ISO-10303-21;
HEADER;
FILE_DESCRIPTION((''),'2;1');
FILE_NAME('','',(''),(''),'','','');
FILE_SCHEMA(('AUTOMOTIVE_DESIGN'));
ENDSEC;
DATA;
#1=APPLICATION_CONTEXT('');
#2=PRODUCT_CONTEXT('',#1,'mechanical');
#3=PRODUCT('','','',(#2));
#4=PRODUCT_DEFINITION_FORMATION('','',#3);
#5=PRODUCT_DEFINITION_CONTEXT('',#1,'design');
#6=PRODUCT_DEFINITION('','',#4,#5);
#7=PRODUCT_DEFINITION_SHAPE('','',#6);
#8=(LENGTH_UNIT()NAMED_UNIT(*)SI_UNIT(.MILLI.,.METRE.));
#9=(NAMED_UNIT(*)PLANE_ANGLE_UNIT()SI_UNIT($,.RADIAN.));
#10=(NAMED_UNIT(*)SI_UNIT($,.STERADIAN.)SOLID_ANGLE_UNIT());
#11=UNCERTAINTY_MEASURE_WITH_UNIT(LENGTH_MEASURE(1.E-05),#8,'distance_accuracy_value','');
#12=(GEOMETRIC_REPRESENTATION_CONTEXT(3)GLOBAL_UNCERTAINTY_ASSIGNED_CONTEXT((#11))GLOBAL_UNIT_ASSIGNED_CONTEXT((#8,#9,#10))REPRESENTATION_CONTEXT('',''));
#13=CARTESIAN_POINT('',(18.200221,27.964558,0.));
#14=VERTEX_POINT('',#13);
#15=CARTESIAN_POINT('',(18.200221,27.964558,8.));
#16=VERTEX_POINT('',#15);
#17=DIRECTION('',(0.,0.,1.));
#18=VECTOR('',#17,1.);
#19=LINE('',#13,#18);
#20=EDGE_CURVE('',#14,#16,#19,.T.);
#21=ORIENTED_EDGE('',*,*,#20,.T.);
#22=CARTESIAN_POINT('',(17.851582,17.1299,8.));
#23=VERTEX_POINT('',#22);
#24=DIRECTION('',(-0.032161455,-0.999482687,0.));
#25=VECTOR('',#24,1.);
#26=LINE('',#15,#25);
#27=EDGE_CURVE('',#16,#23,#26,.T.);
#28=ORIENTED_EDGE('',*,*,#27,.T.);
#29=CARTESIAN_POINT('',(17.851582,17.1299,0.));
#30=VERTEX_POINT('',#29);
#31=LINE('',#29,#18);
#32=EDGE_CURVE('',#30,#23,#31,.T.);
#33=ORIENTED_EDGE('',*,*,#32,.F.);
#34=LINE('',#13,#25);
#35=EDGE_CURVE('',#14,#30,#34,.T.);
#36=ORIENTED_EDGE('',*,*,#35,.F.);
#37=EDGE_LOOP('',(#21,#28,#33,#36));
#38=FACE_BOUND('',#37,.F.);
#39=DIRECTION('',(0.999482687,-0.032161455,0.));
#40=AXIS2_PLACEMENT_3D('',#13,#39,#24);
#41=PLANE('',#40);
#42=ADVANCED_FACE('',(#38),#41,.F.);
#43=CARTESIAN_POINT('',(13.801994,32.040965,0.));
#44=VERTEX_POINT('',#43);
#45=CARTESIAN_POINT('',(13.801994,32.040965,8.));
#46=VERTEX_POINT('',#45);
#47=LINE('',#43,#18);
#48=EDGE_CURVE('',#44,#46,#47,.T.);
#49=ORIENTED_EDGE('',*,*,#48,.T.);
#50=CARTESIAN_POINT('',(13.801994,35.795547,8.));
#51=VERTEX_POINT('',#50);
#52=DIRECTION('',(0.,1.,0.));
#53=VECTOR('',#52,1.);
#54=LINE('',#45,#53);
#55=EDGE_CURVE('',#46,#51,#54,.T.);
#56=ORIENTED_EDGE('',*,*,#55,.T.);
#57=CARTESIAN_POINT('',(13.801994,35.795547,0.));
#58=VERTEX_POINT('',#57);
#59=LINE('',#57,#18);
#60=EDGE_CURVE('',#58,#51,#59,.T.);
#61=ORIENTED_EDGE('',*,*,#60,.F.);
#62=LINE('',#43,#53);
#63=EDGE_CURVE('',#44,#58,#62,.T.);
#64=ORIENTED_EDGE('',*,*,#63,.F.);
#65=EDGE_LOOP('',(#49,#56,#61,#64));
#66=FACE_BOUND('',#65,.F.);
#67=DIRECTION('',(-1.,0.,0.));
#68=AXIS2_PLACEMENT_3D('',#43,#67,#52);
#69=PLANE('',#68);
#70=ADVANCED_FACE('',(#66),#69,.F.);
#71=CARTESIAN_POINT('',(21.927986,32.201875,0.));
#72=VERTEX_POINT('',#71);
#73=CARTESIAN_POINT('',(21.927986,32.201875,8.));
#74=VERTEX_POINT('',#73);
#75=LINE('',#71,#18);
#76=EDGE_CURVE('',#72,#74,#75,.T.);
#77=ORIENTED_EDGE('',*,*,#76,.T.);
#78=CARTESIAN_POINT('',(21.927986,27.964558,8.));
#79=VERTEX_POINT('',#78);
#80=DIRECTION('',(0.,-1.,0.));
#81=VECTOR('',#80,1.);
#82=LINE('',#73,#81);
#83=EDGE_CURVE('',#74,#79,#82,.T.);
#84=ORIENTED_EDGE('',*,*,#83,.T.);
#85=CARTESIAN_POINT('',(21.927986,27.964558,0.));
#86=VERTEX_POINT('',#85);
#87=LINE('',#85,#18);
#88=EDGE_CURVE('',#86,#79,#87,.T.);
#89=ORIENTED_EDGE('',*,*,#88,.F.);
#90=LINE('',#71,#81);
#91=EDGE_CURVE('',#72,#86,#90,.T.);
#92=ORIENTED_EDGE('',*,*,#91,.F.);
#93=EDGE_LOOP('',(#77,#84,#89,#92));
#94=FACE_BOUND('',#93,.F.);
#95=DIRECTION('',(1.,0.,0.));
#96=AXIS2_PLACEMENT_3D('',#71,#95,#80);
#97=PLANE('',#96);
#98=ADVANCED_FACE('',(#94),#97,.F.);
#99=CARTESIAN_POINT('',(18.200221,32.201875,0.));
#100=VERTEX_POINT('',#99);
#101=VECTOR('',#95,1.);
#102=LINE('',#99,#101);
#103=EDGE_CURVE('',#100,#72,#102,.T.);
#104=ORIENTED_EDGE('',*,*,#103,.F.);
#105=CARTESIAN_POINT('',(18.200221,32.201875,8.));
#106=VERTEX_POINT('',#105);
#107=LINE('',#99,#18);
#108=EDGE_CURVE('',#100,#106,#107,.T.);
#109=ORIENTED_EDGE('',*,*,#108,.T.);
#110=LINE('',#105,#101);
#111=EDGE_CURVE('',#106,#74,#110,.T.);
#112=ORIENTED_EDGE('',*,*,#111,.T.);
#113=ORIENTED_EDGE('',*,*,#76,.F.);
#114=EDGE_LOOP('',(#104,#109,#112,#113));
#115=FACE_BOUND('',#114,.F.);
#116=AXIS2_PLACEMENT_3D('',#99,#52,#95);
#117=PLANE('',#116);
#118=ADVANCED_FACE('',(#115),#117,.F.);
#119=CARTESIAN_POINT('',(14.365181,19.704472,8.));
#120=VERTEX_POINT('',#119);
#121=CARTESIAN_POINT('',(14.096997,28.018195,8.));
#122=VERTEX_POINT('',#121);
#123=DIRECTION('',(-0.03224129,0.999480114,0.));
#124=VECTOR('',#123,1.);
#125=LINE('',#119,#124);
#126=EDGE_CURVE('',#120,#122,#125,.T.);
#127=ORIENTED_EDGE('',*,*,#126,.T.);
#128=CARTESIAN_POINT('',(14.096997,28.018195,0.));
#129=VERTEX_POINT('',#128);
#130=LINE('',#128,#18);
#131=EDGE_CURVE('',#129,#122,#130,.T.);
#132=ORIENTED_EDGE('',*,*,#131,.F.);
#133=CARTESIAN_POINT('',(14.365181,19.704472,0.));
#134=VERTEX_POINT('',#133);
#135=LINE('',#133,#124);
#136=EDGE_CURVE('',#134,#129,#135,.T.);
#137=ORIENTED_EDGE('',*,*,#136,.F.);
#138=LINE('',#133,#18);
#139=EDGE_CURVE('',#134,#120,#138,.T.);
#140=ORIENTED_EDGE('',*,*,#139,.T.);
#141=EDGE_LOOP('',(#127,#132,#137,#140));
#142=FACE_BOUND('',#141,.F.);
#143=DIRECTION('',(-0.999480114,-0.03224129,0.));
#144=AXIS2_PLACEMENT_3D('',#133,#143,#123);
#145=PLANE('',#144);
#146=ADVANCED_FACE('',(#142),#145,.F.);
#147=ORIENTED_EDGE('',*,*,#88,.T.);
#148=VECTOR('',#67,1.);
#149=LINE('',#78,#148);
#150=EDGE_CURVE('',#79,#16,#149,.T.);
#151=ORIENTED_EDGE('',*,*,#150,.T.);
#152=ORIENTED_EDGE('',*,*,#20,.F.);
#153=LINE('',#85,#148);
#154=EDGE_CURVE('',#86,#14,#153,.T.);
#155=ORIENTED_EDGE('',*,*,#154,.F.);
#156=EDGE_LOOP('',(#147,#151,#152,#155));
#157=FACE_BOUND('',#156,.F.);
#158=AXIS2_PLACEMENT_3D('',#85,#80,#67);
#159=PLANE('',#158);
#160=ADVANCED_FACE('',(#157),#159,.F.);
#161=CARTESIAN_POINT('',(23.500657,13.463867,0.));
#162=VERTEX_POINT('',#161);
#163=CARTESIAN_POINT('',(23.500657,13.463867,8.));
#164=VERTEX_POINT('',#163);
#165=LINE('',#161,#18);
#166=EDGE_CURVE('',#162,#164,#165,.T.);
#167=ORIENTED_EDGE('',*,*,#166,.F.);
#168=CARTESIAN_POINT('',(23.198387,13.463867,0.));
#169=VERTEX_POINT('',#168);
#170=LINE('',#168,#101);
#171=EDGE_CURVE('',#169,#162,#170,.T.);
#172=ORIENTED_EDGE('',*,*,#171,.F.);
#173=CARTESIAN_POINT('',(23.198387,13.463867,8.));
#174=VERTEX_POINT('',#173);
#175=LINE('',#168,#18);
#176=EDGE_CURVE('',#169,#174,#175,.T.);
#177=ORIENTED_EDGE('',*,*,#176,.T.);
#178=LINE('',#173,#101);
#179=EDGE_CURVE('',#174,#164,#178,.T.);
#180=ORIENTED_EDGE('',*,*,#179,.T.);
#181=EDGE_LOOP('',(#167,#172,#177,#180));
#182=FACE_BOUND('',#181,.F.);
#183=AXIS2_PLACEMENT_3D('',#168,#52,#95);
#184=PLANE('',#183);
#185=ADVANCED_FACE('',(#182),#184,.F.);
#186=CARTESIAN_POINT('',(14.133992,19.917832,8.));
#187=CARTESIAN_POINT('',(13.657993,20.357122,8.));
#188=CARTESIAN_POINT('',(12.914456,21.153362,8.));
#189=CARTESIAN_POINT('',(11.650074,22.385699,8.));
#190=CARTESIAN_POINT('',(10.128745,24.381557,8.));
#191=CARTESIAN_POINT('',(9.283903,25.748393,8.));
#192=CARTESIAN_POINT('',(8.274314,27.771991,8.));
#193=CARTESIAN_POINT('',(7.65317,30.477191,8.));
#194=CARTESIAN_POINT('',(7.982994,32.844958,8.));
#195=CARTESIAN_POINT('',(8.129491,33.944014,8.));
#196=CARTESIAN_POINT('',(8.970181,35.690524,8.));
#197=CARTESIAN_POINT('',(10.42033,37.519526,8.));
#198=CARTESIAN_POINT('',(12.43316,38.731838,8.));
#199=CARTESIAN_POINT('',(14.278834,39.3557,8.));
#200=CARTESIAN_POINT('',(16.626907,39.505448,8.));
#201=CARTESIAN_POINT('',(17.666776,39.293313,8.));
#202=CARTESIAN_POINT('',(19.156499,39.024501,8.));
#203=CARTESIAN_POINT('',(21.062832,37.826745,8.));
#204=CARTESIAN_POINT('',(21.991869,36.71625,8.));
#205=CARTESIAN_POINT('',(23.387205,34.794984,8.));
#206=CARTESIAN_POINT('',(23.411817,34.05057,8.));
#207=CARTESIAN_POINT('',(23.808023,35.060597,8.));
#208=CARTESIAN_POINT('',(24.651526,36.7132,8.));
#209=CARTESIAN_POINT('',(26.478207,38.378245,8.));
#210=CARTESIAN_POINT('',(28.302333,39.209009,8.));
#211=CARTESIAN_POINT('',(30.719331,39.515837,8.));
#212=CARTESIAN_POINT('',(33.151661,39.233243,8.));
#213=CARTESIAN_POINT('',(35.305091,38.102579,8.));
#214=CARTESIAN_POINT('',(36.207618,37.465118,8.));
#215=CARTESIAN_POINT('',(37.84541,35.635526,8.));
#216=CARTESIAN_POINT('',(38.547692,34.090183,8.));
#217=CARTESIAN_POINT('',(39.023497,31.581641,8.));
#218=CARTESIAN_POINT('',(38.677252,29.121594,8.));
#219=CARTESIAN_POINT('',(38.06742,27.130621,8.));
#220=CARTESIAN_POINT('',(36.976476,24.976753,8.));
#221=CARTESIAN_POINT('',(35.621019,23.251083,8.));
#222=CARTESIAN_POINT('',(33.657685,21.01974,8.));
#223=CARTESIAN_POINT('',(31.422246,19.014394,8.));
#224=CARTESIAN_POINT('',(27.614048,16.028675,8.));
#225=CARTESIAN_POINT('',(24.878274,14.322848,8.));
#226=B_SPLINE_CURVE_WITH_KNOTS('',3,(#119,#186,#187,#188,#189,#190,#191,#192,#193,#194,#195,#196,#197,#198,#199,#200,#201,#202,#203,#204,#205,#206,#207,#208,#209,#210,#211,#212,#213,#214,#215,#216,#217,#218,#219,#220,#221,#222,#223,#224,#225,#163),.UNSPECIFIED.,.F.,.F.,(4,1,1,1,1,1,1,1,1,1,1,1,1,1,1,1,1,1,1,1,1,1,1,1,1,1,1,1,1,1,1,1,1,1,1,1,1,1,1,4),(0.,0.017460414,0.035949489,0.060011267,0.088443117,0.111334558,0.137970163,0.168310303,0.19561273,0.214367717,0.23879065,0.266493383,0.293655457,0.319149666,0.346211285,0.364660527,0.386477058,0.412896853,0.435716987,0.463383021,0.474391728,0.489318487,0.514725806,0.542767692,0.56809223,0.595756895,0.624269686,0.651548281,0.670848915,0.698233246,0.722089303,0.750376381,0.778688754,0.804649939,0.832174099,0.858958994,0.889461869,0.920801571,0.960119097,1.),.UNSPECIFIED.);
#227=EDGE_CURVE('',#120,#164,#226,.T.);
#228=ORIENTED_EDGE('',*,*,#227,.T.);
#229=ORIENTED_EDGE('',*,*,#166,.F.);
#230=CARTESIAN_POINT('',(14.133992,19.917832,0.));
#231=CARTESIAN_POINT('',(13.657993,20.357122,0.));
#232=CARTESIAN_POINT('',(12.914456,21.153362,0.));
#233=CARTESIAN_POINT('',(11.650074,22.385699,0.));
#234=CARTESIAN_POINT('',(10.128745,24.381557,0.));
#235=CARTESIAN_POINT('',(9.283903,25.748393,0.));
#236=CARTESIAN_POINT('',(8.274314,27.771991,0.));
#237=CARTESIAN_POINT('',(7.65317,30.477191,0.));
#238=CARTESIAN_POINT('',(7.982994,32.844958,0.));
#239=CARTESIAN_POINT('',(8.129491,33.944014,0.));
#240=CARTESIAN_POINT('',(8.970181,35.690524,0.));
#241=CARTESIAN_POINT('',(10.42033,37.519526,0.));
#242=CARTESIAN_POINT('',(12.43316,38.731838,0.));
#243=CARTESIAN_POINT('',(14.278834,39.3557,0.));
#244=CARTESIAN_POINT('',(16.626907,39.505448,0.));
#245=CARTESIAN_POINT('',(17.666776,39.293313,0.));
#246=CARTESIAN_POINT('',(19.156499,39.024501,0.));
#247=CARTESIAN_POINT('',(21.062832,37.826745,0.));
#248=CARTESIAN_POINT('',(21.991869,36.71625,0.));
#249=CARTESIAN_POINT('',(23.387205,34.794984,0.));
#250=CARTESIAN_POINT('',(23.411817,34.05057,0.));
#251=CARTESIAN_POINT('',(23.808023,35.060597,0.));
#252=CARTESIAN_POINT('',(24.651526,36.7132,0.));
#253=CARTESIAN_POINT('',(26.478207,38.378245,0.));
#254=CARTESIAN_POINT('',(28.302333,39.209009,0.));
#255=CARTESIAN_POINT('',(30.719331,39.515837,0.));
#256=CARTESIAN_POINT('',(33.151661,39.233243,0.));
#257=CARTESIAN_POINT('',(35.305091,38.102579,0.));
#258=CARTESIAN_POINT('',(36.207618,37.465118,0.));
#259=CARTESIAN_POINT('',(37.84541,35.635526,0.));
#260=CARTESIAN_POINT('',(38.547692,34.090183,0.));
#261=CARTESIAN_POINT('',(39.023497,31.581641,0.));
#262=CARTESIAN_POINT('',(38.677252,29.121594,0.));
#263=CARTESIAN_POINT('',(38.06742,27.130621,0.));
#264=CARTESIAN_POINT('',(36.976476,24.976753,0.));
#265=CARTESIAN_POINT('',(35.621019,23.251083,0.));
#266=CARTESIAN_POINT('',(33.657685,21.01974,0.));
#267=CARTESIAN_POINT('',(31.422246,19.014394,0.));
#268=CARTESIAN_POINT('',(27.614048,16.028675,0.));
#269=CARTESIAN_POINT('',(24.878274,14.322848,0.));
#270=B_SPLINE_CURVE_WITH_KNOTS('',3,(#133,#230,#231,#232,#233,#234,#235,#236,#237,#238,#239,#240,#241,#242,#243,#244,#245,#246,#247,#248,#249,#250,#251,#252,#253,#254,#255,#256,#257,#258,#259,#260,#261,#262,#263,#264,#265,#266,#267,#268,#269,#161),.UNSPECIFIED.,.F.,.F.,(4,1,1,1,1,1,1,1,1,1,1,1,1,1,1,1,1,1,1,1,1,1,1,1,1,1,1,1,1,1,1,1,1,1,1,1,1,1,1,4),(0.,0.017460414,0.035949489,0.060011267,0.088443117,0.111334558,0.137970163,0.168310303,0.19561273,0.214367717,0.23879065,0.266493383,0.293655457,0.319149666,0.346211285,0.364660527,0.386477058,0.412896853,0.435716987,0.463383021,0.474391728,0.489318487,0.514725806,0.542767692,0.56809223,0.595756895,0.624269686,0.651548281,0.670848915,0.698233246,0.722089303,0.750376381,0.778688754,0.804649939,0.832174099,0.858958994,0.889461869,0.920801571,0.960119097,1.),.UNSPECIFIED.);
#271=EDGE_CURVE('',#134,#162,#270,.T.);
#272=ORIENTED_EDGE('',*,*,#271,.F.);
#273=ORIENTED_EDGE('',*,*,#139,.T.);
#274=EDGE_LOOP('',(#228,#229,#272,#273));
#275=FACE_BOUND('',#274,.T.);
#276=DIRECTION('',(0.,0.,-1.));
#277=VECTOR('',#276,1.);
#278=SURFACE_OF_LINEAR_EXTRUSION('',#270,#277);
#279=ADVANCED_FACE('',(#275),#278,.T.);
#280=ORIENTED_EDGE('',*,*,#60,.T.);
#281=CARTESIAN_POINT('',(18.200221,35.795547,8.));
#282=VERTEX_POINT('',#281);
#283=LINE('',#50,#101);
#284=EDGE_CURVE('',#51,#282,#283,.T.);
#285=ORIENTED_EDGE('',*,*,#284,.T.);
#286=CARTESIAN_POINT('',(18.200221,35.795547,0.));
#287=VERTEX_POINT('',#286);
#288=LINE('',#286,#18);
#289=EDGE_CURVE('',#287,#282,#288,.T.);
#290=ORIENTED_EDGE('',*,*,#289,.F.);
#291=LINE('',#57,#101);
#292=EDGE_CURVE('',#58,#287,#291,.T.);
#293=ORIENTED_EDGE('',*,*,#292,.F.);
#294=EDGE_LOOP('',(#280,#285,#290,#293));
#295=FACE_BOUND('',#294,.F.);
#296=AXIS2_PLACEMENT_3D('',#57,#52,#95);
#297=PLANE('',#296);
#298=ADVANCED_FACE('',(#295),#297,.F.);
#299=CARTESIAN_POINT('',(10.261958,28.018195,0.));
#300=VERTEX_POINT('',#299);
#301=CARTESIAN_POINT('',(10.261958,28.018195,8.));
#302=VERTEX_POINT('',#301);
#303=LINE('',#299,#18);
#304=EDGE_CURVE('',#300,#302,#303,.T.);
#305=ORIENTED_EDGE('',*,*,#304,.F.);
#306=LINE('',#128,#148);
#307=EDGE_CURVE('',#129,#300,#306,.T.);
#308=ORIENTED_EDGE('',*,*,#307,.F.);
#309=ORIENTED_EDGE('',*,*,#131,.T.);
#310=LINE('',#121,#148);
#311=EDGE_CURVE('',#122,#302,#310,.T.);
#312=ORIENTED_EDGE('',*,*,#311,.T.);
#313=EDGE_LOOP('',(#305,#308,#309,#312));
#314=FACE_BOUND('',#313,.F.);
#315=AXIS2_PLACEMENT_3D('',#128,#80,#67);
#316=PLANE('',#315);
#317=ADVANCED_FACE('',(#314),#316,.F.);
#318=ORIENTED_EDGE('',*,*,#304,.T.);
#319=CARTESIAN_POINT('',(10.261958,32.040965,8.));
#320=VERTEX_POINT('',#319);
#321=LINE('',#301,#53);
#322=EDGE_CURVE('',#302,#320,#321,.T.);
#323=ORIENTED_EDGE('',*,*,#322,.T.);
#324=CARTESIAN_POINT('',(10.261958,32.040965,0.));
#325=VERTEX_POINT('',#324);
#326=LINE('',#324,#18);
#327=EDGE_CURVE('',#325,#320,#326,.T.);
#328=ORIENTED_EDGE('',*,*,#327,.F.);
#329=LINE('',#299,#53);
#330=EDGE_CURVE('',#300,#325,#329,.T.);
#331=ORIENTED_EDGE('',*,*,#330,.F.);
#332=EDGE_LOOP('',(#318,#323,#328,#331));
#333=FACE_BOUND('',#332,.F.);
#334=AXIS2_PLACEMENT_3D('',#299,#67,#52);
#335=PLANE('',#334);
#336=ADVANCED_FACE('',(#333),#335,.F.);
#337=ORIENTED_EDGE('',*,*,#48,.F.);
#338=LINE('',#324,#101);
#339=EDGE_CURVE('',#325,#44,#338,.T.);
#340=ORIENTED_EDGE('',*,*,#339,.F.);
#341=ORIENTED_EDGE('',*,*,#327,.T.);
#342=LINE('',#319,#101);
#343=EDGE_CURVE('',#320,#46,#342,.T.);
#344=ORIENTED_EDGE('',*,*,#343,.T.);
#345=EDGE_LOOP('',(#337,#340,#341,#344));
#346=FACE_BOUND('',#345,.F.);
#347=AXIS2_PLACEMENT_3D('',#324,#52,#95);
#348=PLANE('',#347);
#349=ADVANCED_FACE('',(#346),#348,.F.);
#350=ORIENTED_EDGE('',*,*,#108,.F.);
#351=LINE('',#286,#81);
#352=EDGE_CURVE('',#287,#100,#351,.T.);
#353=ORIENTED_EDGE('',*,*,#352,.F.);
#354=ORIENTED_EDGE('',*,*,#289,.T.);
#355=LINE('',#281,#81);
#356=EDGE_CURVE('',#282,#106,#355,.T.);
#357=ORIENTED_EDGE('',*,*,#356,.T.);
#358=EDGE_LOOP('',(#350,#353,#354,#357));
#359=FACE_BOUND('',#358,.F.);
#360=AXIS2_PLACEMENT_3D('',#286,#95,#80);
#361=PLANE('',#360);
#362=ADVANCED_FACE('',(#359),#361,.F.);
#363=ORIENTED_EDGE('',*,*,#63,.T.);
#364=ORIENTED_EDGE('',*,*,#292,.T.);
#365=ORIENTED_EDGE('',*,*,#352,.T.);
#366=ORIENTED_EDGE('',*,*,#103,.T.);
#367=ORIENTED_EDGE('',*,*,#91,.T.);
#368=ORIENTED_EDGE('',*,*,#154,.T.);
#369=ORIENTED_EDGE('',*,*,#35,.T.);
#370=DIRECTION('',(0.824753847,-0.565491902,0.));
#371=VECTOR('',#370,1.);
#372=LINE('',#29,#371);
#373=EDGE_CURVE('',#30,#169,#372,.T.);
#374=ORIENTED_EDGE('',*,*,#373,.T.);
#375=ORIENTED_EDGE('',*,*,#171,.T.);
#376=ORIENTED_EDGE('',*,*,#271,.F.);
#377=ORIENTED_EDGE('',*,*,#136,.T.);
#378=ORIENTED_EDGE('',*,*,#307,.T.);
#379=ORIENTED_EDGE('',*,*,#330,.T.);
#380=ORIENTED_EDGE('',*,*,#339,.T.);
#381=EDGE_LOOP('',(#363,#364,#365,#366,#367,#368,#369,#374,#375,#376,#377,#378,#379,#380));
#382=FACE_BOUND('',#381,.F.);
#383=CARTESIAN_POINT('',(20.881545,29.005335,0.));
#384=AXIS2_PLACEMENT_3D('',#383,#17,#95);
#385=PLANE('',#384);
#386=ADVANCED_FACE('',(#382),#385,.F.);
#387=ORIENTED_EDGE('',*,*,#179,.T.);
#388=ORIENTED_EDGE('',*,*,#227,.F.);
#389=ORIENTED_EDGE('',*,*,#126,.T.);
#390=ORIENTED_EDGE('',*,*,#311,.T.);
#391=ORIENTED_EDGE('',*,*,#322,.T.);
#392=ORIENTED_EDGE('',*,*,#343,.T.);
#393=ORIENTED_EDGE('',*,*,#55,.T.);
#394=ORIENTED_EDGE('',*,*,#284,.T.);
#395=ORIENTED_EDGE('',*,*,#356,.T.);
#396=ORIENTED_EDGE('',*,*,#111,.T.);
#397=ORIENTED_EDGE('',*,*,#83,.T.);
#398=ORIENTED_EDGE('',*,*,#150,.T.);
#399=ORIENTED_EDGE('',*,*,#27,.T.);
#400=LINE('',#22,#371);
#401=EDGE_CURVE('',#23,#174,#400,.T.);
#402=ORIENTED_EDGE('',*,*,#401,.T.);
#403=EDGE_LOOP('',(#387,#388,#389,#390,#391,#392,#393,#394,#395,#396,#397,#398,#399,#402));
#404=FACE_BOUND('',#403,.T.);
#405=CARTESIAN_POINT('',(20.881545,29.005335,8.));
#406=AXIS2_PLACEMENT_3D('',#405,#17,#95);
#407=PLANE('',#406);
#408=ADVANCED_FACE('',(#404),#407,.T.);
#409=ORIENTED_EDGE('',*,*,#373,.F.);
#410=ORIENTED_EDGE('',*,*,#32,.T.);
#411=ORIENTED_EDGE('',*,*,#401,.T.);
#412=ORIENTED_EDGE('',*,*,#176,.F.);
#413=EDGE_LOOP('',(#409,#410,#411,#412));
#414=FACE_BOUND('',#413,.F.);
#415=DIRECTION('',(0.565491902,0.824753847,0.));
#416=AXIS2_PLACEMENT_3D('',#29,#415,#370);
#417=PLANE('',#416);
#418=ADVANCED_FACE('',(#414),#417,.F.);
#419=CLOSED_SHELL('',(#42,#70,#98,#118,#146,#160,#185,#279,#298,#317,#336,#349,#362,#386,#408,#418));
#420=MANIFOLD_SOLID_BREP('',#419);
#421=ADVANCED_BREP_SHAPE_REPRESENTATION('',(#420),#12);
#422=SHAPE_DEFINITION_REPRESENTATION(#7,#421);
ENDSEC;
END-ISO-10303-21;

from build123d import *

# Parameters (mm, degrees)
F1_DEPTH = 8


with BuildPart() as f1:
    # F0 (on Top) → F1 (new body)
    with BuildSketch(Plane.XY):
        with BuildLine():
            Line((13.8019938022, 35.7955470681), (18.2002205402, 35.7955470681))
            Line((18.2002205402, 35.7955470681), (18.2002205402, 32.2018750012))
            Line((18.2002205402, 32.2018750012), (21.927986294, 32.2018750012))
            Line((21.927986294, 32.2018750012), (21.927986294, 27.9645584524))
            Line((21.927986294, 27.9645584524), (18.2002205402, 27.9645584524))
            Line((18.2002205402, 27.9645584524), (17.851581797, 17.1298999339))
            Line((17.851581797, 17.1298999339), (23.1983866543, 13.4638668969))
            Line((23.1983866543, 13.4638668969), (23.5006567091, 13.4638668969))
            add(Edge.make_bspline(
                [(14.3651813269, 19.7044722736), (14.1339918582, 19.9178320984), (13.6579926613, 20.3571215948), (12.9144558598, 21.15336231), (11.6500744293, 22.3856985845), (10.1287446375, 24.3815572256), (9.2839032639, 25.7483934407), (8.2743135396, 27.771991225), (7.6531697139, 30.4771906062), (7.982993872, 32.8449578862), (8.1294909733, 33.9440142838), (8.9701810908, 35.6905237658), (10.420330481, 37.5195264475), (12.4331600153, 38.7318376799), (14.2788336992, 39.3557000068), (16.6269072848, 39.5054475227), (17.6667755607, 39.2933129774), (19.1564992981, 39.0245013807), (21.0628317838, 37.8267454077), (21.9918690959, 36.7162501609), (23.38720547, 34.7949838541), (23.4118166674, 34.0505700566), (23.8080227955, 35.0605969545), (24.6515258841, 36.7132004412), (26.4782070571, 38.3782445397), (28.3023328555, 39.209009375), (30.7193309301, 39.5158374678), (33.151660545, 39.2332430082), (35.3050906427, 38.1025791842), (36.2076182931, 37.4651181287), (37.8454098636, 35.6355261439), (38.5476919311, 34.0901827058), (39.0234972181, 31.5816410409), (38.6772518117, 29.1215941303), (38.067419857, 27.130620923), (36.9764763932, 24.9767527022), (35.6210193331, 23.2510834669), (33.6576854773, 21.0197400006), (31.4222464063, 19.014394257), (27.6140481778, 16.028674738), (24.8782741591, 14.3228476345), (23.5006567091, 13.4638668969)],
                knots=[0, 0, 0, 0, 0.0174604143, 0.0359494887, 0.0600112672, 0.0884431174, 0.1113345576, 0.1379701632, 0.1683103033, 0.1956127301, 0.2143677169, 0.2387906498, 0.266493383, 0.2936554565, 0.319149666, 0.3462112854, 0.3646605274, 0.3864770584, 0.412896853, 0.4357169873, 0.463383021, 0.4743917281, 0.4893184871, 0.5147258056, 0.5427676922, 0.5680922302, 0.5957568953, 0.6242696856, 0.6515482811, 0.6708489148, 0.6982332465, 0.7220893026, 0.7503763811, 0.7786887544, 0.8046499394, 0.8321740992, 0.8589589936, 0.8894618688, 0.9208015712, 0.9601190973, 1, 1, 1, 1], degree=3))
            Line((14.3651813269, 19.7044722736), (14.096996747, 28.0181951821))
            Line((14.096996747, 28.0181951821), (10.2619575337, 28.0181951821))
            Line((10.2619575337, 28.0181951821), (10.2619575337, 32.040964812))
            Line((10.2619575337, 32.040964812), (13.8019938022, 32.040964812))
            Line((13.8019938022, 32.040964812), (13.8019938022, 35.7955470681))
        make_face()
    extrude(amount=F1_DEPTH)


solid = f1.part
